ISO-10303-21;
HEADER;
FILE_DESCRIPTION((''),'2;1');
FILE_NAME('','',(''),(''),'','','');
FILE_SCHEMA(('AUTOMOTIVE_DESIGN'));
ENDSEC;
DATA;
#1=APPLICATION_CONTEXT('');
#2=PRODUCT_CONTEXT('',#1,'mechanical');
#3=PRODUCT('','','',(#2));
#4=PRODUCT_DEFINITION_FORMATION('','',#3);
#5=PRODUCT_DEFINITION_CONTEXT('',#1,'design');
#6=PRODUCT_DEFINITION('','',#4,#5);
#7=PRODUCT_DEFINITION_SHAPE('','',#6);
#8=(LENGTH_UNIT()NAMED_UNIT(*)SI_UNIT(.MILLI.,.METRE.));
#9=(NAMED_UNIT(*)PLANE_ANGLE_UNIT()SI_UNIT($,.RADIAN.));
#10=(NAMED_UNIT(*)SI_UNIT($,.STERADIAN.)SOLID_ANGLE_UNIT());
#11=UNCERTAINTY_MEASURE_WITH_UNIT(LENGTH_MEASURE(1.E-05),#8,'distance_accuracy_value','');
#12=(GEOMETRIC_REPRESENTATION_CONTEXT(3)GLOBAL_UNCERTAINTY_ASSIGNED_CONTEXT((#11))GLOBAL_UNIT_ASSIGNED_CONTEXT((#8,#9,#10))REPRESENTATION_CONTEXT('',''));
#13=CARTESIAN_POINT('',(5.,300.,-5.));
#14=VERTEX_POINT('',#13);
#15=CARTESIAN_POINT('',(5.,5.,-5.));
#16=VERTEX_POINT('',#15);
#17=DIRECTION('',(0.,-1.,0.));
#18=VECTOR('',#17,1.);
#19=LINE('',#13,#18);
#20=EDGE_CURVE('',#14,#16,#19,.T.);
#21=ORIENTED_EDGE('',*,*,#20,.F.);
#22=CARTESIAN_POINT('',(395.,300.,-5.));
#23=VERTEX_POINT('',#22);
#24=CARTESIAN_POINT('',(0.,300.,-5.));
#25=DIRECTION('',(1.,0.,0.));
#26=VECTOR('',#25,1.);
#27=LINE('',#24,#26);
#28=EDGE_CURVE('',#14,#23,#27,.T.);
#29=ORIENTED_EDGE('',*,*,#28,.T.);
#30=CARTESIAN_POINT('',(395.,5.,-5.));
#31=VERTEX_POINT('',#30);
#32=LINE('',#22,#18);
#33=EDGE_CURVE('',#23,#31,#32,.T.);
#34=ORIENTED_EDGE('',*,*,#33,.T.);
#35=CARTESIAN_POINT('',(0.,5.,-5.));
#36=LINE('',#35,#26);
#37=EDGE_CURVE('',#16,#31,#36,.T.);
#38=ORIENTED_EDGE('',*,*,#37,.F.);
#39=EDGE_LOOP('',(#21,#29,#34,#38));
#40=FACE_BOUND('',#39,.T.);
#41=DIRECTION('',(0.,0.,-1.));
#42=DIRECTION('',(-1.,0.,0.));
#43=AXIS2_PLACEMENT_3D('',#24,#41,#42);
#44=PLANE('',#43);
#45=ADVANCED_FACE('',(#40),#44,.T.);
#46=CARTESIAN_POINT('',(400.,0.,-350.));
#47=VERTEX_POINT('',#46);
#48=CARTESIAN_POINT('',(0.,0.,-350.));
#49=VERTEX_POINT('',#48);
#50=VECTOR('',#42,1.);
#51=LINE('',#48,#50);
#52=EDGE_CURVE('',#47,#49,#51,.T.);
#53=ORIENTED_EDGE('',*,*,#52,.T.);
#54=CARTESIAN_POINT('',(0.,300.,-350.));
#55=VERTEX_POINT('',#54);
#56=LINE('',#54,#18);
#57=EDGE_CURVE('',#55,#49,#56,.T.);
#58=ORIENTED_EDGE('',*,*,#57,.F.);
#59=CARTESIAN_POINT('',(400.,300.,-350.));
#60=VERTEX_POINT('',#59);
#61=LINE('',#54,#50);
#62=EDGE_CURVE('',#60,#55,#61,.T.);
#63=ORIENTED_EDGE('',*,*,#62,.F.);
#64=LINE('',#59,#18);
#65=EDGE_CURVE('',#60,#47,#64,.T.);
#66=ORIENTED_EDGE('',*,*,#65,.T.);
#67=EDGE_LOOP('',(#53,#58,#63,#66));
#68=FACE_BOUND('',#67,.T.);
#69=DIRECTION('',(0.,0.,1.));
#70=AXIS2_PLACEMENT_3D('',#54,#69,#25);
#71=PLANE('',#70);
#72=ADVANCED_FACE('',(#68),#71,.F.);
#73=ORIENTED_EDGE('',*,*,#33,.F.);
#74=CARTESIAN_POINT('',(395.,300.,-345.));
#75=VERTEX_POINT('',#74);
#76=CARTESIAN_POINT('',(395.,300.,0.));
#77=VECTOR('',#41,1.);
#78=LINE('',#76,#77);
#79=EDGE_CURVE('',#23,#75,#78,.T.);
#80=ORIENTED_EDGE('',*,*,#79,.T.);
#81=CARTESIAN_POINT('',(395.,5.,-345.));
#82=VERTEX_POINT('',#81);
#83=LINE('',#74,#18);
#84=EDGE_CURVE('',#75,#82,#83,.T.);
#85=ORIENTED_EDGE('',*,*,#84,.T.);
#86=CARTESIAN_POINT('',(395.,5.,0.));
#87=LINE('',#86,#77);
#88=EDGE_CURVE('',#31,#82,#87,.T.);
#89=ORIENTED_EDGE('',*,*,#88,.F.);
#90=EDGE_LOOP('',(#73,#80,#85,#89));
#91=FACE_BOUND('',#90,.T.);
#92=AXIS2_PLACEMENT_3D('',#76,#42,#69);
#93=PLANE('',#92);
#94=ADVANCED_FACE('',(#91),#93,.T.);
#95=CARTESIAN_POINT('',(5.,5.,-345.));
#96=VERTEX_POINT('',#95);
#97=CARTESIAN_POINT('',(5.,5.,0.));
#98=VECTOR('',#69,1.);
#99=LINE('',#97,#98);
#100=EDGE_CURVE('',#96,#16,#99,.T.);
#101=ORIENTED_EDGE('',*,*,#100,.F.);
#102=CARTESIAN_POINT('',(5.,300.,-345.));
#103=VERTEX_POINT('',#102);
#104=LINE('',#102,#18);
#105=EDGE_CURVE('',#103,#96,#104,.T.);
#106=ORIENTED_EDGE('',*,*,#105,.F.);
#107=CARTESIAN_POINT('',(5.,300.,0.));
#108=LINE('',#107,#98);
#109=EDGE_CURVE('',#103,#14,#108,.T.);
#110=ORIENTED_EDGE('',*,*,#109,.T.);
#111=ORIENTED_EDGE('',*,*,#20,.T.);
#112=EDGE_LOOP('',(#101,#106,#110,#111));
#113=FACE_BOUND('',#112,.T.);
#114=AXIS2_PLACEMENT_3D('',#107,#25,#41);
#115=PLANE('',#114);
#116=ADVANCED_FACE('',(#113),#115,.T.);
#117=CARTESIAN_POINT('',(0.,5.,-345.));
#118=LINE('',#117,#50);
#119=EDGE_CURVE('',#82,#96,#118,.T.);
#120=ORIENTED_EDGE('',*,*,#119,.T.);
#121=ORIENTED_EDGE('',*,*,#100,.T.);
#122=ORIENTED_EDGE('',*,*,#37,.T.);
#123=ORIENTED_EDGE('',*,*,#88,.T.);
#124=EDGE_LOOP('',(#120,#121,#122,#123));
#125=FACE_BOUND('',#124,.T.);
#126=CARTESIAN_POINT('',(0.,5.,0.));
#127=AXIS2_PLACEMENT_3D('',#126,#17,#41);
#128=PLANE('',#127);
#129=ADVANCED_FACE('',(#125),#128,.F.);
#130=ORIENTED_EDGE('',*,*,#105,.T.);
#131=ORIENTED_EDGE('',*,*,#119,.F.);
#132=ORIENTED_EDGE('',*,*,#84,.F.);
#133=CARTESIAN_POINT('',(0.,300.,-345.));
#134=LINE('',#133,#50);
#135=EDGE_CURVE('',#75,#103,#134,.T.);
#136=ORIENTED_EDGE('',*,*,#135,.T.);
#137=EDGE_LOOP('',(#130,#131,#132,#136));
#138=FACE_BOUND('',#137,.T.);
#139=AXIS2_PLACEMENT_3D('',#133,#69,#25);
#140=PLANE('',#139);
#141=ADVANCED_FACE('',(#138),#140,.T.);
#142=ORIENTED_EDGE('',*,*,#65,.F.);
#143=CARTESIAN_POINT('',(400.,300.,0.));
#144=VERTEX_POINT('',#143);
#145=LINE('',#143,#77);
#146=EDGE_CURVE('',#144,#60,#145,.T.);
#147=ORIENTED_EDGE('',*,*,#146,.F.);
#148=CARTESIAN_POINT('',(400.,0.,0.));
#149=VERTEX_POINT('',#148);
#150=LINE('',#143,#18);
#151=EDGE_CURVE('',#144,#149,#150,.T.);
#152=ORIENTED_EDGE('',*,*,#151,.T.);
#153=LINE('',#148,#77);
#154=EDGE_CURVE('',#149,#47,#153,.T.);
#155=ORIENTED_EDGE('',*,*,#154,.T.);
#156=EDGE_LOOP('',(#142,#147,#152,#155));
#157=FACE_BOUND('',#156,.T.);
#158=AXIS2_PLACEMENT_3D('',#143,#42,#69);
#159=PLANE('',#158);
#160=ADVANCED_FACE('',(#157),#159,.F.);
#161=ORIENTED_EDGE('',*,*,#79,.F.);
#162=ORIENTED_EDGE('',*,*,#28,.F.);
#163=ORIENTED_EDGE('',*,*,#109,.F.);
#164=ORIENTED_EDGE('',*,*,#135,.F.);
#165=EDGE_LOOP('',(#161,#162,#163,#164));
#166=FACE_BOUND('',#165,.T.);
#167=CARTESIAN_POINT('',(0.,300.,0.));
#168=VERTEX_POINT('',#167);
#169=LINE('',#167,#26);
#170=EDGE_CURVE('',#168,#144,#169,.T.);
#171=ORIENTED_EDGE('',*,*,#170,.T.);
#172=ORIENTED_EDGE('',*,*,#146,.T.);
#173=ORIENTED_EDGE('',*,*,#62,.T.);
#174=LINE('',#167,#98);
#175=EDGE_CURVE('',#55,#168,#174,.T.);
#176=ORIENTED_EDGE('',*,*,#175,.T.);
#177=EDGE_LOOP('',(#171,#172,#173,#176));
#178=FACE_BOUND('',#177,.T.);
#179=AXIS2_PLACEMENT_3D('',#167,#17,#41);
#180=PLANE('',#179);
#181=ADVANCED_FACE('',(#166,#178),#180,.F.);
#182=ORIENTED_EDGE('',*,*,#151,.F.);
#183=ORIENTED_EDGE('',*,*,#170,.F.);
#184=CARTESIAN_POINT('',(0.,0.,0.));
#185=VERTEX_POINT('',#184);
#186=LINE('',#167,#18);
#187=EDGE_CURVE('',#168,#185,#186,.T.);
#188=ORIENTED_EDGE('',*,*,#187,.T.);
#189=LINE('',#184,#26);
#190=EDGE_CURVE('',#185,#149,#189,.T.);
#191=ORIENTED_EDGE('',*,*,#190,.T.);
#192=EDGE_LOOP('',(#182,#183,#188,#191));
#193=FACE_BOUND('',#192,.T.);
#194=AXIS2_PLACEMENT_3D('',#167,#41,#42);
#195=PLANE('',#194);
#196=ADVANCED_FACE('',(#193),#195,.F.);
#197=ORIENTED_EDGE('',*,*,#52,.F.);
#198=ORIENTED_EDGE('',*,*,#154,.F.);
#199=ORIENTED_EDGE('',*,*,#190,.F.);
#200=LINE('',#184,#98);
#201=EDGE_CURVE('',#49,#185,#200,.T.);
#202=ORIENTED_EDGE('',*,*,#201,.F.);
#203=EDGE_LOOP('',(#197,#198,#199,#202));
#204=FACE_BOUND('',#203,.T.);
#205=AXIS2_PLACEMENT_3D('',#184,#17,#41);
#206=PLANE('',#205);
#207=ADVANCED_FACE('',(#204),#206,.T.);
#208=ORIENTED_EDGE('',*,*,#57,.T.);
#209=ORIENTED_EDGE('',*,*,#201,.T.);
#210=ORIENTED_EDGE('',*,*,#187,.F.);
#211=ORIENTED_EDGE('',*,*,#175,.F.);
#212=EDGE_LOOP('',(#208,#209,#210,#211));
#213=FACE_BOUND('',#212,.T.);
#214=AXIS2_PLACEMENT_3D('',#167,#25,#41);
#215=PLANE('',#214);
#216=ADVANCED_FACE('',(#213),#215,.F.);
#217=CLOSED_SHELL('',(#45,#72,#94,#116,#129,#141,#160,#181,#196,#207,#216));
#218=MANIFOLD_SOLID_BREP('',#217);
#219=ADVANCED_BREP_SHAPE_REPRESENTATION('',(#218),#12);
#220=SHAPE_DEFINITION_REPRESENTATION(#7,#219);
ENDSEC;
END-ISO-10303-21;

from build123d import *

# Parameters (mm, degrees)
SKETCH1_W           = 400
SKETCH1_H           = 350
BOSS_EXTRUDE1_DEPTH = 300
SHELL1_T            = -5


with BuildPart() as part:
    # Sketch1 → Boss-Extrude1 (new body)
    with BuildSketch(Plane(origin=(0, 0, 0), x_dir=(1, 0, 0), z_dir=(0, 1, 0))):
        with Locations((200, 175)):
            Rectangle(SKETCH1_W, SKETCH1_H)
    extrude(amount=BOSS_EXTRUDE1_DEPTH)

    # Shell1
    shell1_openings = [part.faces().sort_by_distance(p)[0] for p in [
        (200, 300, -175),
    ]]
    offset(amount=SHELL1_T, openings=shell1_openings, kind=Kind.INTERSECTION)


solid = part.part
